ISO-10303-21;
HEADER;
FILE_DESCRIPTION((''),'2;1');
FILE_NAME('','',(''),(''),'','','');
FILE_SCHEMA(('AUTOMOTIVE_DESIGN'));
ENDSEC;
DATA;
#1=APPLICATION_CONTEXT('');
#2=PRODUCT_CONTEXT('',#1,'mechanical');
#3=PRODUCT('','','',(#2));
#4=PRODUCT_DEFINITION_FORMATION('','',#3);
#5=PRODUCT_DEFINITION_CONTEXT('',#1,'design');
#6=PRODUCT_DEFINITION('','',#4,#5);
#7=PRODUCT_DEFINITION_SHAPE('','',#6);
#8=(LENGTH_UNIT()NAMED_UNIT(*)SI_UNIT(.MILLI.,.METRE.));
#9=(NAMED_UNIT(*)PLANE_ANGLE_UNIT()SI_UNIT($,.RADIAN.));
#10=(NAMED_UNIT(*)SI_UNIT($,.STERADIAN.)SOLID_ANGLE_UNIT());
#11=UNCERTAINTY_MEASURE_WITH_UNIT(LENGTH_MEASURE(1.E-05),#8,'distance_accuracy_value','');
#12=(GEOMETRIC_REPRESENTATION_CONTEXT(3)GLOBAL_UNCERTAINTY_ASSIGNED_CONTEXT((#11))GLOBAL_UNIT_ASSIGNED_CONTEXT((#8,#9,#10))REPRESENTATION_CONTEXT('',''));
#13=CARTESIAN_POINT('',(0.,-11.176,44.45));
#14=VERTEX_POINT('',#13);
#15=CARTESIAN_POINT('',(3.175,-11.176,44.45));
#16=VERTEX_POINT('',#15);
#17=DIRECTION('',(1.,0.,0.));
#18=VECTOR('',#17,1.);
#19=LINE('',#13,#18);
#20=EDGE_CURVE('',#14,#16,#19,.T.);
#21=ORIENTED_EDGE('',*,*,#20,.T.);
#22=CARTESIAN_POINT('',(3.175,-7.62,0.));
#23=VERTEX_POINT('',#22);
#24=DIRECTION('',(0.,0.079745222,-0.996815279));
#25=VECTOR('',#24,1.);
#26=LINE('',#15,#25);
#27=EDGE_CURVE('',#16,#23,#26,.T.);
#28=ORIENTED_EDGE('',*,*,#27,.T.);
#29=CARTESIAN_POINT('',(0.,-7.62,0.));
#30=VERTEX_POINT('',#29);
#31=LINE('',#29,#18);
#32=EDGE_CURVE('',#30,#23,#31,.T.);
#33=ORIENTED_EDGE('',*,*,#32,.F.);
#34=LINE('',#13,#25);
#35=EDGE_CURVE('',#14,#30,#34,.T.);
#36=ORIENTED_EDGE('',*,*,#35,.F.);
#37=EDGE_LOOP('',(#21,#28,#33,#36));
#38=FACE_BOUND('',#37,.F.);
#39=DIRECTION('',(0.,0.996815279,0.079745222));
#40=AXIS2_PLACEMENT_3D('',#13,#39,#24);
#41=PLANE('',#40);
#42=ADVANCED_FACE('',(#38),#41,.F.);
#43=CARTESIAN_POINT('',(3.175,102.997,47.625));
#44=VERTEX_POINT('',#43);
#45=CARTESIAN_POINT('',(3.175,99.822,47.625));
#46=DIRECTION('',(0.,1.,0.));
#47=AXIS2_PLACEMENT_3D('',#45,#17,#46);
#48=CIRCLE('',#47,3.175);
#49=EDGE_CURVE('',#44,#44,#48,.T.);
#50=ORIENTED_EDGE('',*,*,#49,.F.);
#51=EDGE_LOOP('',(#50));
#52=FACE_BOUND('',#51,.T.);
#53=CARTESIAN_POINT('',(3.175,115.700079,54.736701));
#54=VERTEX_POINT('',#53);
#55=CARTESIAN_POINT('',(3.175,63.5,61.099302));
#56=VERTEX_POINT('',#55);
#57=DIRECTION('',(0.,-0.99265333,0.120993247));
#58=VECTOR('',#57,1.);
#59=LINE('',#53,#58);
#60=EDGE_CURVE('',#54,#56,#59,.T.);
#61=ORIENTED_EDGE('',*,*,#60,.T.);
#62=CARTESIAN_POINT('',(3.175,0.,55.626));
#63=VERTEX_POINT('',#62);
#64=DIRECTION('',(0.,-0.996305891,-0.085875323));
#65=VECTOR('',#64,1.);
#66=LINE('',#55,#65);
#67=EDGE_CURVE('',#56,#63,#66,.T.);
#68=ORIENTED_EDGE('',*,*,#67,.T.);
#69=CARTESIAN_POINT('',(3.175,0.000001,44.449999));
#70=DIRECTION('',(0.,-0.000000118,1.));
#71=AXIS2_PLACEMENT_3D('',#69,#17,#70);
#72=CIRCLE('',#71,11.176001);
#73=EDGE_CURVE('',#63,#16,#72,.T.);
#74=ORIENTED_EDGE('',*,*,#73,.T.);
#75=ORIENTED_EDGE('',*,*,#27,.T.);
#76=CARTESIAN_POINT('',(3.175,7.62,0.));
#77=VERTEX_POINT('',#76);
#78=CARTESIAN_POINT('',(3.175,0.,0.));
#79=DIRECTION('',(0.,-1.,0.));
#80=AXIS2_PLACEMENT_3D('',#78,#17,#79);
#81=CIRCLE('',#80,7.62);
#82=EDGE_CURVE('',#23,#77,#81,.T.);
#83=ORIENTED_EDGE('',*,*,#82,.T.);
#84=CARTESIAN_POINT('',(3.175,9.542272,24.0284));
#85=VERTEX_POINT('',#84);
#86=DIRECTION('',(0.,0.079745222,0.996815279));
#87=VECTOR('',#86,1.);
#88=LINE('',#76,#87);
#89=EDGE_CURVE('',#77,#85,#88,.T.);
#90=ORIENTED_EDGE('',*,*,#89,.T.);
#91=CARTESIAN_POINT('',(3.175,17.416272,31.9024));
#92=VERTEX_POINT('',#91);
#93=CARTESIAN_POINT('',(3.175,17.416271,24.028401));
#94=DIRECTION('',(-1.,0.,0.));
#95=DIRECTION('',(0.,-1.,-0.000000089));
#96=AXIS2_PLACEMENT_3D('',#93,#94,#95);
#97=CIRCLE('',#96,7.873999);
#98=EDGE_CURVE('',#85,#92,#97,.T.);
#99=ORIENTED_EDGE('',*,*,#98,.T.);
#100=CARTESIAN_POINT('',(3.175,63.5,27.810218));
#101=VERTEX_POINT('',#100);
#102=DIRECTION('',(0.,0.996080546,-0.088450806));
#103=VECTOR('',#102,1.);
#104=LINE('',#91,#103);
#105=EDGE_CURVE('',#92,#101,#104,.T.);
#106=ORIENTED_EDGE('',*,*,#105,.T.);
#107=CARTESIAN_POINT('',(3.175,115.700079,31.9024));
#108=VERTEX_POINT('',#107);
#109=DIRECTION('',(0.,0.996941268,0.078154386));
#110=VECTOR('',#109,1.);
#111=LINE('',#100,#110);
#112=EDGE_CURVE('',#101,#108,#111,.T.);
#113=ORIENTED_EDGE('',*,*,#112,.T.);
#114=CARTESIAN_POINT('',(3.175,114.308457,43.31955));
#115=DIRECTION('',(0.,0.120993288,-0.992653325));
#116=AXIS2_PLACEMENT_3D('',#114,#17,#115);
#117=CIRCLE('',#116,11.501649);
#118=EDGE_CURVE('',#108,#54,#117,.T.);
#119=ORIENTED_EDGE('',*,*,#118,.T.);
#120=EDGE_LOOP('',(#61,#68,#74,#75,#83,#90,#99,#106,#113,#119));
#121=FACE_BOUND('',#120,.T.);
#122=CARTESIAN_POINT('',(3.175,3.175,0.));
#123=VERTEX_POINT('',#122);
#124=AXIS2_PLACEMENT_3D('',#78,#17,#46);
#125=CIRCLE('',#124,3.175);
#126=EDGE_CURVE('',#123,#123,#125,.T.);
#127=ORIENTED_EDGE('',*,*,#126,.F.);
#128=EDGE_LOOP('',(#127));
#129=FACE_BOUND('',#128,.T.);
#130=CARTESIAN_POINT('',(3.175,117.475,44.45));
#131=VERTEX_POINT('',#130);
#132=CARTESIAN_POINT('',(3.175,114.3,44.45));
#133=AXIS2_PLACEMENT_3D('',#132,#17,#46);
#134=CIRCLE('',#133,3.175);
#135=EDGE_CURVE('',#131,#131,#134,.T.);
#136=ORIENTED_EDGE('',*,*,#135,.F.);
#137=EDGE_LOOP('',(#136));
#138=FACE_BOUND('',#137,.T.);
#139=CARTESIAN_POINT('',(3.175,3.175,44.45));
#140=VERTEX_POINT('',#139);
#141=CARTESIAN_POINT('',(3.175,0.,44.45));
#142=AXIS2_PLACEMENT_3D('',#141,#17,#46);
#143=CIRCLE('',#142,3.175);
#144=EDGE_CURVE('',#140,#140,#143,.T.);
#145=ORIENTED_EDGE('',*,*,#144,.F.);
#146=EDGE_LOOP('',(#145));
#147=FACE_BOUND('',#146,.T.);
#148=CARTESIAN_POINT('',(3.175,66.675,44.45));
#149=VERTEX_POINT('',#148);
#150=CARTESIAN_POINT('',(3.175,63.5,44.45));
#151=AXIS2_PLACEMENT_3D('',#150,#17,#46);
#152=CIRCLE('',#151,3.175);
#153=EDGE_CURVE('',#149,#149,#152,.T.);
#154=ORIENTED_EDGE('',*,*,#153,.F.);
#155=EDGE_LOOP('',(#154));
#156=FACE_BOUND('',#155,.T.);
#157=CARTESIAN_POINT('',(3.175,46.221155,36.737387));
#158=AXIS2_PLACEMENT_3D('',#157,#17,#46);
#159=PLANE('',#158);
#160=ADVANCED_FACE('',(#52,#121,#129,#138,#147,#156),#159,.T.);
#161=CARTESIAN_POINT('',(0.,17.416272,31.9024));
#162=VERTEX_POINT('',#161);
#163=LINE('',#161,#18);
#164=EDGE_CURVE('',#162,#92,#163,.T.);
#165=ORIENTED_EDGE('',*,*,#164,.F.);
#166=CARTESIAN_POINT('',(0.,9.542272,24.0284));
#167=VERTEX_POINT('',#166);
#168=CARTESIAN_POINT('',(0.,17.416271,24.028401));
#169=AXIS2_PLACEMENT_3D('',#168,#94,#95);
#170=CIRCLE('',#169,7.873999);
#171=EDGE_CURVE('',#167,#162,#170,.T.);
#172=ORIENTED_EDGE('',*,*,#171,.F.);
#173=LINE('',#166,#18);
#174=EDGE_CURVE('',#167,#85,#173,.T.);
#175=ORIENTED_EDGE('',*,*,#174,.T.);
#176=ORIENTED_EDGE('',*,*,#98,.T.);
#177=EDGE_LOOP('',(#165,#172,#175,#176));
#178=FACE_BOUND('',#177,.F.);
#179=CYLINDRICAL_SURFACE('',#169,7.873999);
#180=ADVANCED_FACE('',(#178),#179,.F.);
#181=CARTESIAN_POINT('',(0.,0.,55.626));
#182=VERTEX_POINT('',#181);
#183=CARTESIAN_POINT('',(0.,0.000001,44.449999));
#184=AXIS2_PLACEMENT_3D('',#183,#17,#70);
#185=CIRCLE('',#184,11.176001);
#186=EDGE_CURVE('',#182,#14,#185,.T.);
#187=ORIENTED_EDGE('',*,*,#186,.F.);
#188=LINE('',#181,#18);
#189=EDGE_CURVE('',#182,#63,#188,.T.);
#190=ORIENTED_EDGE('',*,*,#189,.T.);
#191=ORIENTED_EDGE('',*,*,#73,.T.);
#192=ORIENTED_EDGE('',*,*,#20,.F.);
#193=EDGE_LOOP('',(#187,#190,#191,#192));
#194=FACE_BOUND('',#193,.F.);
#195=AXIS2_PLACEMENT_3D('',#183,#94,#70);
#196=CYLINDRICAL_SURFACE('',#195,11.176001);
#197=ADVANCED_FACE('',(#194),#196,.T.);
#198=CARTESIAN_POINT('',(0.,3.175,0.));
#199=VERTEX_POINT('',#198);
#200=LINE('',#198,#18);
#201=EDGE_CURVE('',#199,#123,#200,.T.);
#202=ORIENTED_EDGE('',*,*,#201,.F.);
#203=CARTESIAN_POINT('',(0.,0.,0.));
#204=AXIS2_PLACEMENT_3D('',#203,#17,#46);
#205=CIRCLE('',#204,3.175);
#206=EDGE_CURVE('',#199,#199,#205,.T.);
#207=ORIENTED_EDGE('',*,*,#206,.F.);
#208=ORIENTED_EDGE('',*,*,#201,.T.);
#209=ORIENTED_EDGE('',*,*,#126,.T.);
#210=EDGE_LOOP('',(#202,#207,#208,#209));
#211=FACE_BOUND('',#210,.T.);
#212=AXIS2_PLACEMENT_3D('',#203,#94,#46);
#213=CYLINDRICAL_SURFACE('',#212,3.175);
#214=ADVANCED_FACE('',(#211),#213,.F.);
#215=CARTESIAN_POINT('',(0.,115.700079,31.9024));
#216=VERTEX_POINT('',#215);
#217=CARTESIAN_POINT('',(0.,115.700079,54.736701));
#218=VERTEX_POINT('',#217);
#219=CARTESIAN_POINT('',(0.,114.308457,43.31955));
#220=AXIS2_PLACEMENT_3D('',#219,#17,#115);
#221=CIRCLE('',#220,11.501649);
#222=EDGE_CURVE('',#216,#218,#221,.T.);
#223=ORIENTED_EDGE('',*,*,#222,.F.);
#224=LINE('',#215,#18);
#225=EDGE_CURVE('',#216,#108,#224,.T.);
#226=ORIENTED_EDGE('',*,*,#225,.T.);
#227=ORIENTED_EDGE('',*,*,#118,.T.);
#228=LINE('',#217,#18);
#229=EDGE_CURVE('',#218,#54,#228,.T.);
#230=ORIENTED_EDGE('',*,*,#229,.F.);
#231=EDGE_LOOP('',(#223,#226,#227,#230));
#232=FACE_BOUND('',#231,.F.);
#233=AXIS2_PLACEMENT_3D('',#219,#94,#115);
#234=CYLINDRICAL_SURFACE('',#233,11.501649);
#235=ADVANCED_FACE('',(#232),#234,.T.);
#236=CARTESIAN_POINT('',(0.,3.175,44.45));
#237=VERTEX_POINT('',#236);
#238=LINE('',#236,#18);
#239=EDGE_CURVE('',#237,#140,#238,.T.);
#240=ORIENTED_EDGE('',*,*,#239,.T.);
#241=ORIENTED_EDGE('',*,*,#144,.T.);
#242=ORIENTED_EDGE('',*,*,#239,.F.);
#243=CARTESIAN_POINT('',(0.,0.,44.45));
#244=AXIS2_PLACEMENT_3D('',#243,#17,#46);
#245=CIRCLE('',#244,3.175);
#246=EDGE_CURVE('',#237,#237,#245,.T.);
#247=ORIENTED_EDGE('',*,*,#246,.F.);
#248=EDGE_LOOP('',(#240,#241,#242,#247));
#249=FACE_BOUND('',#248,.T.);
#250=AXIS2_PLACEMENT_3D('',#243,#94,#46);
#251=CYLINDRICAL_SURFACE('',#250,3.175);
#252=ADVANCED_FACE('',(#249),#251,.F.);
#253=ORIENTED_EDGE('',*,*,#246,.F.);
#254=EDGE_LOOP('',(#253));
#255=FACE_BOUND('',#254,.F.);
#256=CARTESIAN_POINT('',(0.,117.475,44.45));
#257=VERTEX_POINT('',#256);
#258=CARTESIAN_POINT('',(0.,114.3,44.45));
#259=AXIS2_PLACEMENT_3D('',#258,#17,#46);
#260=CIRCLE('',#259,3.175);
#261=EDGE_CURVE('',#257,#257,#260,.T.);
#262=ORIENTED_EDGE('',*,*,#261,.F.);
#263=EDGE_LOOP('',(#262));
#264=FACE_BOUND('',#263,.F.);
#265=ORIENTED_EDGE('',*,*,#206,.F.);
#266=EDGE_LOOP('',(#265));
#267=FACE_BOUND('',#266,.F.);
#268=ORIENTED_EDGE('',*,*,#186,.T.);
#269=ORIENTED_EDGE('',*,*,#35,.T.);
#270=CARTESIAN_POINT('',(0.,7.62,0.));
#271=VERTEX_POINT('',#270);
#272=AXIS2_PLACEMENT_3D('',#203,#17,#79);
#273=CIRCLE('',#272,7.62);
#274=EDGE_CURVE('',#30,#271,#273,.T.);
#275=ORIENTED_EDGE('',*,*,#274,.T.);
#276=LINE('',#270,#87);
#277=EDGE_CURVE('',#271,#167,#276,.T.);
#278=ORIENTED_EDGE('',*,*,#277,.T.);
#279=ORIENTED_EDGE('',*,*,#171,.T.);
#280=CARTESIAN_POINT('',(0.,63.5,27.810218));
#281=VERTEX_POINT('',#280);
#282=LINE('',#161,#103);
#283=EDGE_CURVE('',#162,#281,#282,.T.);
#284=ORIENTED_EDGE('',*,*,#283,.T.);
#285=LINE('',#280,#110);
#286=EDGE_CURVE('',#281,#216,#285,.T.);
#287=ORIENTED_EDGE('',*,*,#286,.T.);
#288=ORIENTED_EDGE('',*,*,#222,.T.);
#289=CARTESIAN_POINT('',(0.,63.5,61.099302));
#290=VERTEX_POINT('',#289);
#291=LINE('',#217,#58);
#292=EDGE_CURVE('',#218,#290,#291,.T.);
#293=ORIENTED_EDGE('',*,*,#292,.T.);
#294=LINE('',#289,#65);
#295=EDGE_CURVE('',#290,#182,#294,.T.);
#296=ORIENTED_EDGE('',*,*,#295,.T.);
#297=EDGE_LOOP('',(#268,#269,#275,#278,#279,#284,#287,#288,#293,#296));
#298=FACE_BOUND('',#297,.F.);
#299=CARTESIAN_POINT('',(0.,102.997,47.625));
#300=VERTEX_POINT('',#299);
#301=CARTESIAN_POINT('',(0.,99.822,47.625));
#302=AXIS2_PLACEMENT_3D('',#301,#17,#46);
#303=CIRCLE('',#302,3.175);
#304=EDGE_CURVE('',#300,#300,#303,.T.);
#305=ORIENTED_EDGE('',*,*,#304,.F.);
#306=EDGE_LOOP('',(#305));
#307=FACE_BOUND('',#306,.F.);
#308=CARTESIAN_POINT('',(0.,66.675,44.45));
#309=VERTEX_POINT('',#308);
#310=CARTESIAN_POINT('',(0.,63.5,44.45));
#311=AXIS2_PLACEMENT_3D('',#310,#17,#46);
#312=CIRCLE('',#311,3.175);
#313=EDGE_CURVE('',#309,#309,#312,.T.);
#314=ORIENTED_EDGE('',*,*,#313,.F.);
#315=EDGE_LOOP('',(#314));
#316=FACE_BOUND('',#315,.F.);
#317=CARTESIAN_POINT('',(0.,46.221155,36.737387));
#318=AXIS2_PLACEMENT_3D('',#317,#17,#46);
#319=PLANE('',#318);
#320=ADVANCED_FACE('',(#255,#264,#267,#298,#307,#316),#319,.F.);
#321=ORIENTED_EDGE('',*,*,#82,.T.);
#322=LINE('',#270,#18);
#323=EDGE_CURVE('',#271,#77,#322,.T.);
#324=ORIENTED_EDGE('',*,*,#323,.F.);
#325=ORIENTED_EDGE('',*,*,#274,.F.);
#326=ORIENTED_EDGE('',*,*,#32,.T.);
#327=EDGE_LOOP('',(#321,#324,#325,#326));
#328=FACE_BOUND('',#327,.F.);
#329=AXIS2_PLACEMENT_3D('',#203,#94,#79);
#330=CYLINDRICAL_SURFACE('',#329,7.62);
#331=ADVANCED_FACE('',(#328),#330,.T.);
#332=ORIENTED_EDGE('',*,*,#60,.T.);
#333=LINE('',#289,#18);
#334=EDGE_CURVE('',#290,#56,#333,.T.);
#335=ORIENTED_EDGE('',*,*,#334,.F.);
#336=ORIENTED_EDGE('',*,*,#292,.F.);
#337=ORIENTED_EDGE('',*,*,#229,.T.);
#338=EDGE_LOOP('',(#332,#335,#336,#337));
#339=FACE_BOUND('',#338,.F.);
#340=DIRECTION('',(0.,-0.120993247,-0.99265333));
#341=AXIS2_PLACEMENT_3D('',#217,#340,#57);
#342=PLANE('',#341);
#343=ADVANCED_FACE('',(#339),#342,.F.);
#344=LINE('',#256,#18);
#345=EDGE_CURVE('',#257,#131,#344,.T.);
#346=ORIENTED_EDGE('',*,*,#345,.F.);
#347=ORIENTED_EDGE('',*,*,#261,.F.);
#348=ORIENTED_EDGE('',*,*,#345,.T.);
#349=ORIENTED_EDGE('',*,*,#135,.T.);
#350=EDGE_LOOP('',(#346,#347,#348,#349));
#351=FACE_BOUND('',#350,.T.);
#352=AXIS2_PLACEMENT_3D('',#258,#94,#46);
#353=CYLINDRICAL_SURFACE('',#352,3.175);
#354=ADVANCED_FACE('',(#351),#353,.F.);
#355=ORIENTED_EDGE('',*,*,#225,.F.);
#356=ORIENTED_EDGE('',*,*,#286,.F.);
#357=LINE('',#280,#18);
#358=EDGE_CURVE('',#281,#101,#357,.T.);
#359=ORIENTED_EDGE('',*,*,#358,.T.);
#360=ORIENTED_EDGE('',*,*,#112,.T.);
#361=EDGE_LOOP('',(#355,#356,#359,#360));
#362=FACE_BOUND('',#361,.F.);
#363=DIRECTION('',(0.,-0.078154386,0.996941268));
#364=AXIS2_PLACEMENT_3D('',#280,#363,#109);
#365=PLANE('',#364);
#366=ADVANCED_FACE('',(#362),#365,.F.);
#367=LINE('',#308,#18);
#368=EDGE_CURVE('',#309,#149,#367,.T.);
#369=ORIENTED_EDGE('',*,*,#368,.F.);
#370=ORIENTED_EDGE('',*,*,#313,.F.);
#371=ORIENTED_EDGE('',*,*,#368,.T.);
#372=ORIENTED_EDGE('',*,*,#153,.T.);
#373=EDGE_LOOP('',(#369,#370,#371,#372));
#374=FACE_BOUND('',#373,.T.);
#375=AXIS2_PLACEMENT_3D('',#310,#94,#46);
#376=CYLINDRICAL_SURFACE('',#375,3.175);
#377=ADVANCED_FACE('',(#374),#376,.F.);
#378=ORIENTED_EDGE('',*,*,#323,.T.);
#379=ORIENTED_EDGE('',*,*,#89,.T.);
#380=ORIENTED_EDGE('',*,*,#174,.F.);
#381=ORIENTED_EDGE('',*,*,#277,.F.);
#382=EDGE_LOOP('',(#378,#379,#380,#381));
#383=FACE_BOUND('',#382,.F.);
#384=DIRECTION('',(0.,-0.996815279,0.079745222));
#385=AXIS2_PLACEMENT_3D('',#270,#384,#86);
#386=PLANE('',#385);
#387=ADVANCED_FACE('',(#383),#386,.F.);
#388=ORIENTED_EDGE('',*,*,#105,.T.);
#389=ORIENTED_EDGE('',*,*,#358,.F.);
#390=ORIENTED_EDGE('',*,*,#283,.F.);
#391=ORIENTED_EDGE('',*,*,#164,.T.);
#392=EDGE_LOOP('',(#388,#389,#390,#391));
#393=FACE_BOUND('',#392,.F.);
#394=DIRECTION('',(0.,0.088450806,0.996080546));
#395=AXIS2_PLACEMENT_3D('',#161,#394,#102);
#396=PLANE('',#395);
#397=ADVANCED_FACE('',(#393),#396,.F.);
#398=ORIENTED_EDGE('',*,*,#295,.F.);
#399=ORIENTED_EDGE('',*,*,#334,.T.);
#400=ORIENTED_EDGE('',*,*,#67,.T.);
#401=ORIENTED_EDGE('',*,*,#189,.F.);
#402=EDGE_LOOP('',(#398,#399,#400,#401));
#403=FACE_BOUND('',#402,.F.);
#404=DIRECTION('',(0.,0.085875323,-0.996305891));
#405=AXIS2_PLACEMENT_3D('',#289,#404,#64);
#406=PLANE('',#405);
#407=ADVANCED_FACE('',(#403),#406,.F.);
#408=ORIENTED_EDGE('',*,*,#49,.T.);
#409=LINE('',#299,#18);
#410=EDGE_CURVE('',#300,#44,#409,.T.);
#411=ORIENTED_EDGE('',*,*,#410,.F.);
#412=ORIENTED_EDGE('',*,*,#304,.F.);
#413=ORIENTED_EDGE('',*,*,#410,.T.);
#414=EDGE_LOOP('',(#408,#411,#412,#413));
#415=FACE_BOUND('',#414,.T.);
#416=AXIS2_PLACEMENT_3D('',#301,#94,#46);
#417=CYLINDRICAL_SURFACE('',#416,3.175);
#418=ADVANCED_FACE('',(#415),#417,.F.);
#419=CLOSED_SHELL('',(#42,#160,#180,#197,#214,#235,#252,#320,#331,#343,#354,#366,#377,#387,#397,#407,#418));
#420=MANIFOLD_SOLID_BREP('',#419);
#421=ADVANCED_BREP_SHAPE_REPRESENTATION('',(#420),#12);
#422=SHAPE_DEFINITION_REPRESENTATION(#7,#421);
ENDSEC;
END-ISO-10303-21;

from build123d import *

# Parameters (mm, degrees)
F0_R     = 3.175
F1_DEPTH = 3.175


with BuildPart() as f1:
    # F0 (on Right) → F1 (new body)
    with BuildSketch(Plane.YZ):
        with BuildLine():
            Line((-11.176, 44.45), (-7.62, 0))
            ThreePointArc((-7.62, 0), (0, -7.62), (7.62, 0))
            Line((7.62, 0), (9.542272, 24.0284))
            ThreePointArc((9.542272, 24.0284), (11.848513, 29.596159), (17.416272, 31.9024))
            Line((17.416272, 31.9024), (63.5, 27.810218))
            Line((63.5, 27.810218), (115.700079, 31.9024))
            ThreePointArc((115.700079, 31.9024), (125.810106, 43.319551), (115.700079, 54.736701))
            Line((115.700079, 54.736701), (63.5, 61.099302))
            Line((63.5, 61.099302), (0, 55.626))
            ThreePointArc((0, 55.626), (-7.902625, 52.352625), (-11.176, 44.45))
        make_face()
        Circle(F0_R, mode=Mode.SUBTRACT)
        with Locations((0, 44.45)):
            Circle(F0_R, mode=Mode.SUBTRACT)
        with Locations((63.5, 44.45)):
            Circle(F0_R, mode=Mode.SUBTRACT)
        with Locations((99.822, 47.625)):
            Circle(F0_R, mode=Mode.SUBTRACT)
        with Locations((114.3, 44.45)):
            Circle(F0_R, mode=Mode.SUBTRACT)
    extrude(amount=F1_DEPTH)


solid = f1.part
